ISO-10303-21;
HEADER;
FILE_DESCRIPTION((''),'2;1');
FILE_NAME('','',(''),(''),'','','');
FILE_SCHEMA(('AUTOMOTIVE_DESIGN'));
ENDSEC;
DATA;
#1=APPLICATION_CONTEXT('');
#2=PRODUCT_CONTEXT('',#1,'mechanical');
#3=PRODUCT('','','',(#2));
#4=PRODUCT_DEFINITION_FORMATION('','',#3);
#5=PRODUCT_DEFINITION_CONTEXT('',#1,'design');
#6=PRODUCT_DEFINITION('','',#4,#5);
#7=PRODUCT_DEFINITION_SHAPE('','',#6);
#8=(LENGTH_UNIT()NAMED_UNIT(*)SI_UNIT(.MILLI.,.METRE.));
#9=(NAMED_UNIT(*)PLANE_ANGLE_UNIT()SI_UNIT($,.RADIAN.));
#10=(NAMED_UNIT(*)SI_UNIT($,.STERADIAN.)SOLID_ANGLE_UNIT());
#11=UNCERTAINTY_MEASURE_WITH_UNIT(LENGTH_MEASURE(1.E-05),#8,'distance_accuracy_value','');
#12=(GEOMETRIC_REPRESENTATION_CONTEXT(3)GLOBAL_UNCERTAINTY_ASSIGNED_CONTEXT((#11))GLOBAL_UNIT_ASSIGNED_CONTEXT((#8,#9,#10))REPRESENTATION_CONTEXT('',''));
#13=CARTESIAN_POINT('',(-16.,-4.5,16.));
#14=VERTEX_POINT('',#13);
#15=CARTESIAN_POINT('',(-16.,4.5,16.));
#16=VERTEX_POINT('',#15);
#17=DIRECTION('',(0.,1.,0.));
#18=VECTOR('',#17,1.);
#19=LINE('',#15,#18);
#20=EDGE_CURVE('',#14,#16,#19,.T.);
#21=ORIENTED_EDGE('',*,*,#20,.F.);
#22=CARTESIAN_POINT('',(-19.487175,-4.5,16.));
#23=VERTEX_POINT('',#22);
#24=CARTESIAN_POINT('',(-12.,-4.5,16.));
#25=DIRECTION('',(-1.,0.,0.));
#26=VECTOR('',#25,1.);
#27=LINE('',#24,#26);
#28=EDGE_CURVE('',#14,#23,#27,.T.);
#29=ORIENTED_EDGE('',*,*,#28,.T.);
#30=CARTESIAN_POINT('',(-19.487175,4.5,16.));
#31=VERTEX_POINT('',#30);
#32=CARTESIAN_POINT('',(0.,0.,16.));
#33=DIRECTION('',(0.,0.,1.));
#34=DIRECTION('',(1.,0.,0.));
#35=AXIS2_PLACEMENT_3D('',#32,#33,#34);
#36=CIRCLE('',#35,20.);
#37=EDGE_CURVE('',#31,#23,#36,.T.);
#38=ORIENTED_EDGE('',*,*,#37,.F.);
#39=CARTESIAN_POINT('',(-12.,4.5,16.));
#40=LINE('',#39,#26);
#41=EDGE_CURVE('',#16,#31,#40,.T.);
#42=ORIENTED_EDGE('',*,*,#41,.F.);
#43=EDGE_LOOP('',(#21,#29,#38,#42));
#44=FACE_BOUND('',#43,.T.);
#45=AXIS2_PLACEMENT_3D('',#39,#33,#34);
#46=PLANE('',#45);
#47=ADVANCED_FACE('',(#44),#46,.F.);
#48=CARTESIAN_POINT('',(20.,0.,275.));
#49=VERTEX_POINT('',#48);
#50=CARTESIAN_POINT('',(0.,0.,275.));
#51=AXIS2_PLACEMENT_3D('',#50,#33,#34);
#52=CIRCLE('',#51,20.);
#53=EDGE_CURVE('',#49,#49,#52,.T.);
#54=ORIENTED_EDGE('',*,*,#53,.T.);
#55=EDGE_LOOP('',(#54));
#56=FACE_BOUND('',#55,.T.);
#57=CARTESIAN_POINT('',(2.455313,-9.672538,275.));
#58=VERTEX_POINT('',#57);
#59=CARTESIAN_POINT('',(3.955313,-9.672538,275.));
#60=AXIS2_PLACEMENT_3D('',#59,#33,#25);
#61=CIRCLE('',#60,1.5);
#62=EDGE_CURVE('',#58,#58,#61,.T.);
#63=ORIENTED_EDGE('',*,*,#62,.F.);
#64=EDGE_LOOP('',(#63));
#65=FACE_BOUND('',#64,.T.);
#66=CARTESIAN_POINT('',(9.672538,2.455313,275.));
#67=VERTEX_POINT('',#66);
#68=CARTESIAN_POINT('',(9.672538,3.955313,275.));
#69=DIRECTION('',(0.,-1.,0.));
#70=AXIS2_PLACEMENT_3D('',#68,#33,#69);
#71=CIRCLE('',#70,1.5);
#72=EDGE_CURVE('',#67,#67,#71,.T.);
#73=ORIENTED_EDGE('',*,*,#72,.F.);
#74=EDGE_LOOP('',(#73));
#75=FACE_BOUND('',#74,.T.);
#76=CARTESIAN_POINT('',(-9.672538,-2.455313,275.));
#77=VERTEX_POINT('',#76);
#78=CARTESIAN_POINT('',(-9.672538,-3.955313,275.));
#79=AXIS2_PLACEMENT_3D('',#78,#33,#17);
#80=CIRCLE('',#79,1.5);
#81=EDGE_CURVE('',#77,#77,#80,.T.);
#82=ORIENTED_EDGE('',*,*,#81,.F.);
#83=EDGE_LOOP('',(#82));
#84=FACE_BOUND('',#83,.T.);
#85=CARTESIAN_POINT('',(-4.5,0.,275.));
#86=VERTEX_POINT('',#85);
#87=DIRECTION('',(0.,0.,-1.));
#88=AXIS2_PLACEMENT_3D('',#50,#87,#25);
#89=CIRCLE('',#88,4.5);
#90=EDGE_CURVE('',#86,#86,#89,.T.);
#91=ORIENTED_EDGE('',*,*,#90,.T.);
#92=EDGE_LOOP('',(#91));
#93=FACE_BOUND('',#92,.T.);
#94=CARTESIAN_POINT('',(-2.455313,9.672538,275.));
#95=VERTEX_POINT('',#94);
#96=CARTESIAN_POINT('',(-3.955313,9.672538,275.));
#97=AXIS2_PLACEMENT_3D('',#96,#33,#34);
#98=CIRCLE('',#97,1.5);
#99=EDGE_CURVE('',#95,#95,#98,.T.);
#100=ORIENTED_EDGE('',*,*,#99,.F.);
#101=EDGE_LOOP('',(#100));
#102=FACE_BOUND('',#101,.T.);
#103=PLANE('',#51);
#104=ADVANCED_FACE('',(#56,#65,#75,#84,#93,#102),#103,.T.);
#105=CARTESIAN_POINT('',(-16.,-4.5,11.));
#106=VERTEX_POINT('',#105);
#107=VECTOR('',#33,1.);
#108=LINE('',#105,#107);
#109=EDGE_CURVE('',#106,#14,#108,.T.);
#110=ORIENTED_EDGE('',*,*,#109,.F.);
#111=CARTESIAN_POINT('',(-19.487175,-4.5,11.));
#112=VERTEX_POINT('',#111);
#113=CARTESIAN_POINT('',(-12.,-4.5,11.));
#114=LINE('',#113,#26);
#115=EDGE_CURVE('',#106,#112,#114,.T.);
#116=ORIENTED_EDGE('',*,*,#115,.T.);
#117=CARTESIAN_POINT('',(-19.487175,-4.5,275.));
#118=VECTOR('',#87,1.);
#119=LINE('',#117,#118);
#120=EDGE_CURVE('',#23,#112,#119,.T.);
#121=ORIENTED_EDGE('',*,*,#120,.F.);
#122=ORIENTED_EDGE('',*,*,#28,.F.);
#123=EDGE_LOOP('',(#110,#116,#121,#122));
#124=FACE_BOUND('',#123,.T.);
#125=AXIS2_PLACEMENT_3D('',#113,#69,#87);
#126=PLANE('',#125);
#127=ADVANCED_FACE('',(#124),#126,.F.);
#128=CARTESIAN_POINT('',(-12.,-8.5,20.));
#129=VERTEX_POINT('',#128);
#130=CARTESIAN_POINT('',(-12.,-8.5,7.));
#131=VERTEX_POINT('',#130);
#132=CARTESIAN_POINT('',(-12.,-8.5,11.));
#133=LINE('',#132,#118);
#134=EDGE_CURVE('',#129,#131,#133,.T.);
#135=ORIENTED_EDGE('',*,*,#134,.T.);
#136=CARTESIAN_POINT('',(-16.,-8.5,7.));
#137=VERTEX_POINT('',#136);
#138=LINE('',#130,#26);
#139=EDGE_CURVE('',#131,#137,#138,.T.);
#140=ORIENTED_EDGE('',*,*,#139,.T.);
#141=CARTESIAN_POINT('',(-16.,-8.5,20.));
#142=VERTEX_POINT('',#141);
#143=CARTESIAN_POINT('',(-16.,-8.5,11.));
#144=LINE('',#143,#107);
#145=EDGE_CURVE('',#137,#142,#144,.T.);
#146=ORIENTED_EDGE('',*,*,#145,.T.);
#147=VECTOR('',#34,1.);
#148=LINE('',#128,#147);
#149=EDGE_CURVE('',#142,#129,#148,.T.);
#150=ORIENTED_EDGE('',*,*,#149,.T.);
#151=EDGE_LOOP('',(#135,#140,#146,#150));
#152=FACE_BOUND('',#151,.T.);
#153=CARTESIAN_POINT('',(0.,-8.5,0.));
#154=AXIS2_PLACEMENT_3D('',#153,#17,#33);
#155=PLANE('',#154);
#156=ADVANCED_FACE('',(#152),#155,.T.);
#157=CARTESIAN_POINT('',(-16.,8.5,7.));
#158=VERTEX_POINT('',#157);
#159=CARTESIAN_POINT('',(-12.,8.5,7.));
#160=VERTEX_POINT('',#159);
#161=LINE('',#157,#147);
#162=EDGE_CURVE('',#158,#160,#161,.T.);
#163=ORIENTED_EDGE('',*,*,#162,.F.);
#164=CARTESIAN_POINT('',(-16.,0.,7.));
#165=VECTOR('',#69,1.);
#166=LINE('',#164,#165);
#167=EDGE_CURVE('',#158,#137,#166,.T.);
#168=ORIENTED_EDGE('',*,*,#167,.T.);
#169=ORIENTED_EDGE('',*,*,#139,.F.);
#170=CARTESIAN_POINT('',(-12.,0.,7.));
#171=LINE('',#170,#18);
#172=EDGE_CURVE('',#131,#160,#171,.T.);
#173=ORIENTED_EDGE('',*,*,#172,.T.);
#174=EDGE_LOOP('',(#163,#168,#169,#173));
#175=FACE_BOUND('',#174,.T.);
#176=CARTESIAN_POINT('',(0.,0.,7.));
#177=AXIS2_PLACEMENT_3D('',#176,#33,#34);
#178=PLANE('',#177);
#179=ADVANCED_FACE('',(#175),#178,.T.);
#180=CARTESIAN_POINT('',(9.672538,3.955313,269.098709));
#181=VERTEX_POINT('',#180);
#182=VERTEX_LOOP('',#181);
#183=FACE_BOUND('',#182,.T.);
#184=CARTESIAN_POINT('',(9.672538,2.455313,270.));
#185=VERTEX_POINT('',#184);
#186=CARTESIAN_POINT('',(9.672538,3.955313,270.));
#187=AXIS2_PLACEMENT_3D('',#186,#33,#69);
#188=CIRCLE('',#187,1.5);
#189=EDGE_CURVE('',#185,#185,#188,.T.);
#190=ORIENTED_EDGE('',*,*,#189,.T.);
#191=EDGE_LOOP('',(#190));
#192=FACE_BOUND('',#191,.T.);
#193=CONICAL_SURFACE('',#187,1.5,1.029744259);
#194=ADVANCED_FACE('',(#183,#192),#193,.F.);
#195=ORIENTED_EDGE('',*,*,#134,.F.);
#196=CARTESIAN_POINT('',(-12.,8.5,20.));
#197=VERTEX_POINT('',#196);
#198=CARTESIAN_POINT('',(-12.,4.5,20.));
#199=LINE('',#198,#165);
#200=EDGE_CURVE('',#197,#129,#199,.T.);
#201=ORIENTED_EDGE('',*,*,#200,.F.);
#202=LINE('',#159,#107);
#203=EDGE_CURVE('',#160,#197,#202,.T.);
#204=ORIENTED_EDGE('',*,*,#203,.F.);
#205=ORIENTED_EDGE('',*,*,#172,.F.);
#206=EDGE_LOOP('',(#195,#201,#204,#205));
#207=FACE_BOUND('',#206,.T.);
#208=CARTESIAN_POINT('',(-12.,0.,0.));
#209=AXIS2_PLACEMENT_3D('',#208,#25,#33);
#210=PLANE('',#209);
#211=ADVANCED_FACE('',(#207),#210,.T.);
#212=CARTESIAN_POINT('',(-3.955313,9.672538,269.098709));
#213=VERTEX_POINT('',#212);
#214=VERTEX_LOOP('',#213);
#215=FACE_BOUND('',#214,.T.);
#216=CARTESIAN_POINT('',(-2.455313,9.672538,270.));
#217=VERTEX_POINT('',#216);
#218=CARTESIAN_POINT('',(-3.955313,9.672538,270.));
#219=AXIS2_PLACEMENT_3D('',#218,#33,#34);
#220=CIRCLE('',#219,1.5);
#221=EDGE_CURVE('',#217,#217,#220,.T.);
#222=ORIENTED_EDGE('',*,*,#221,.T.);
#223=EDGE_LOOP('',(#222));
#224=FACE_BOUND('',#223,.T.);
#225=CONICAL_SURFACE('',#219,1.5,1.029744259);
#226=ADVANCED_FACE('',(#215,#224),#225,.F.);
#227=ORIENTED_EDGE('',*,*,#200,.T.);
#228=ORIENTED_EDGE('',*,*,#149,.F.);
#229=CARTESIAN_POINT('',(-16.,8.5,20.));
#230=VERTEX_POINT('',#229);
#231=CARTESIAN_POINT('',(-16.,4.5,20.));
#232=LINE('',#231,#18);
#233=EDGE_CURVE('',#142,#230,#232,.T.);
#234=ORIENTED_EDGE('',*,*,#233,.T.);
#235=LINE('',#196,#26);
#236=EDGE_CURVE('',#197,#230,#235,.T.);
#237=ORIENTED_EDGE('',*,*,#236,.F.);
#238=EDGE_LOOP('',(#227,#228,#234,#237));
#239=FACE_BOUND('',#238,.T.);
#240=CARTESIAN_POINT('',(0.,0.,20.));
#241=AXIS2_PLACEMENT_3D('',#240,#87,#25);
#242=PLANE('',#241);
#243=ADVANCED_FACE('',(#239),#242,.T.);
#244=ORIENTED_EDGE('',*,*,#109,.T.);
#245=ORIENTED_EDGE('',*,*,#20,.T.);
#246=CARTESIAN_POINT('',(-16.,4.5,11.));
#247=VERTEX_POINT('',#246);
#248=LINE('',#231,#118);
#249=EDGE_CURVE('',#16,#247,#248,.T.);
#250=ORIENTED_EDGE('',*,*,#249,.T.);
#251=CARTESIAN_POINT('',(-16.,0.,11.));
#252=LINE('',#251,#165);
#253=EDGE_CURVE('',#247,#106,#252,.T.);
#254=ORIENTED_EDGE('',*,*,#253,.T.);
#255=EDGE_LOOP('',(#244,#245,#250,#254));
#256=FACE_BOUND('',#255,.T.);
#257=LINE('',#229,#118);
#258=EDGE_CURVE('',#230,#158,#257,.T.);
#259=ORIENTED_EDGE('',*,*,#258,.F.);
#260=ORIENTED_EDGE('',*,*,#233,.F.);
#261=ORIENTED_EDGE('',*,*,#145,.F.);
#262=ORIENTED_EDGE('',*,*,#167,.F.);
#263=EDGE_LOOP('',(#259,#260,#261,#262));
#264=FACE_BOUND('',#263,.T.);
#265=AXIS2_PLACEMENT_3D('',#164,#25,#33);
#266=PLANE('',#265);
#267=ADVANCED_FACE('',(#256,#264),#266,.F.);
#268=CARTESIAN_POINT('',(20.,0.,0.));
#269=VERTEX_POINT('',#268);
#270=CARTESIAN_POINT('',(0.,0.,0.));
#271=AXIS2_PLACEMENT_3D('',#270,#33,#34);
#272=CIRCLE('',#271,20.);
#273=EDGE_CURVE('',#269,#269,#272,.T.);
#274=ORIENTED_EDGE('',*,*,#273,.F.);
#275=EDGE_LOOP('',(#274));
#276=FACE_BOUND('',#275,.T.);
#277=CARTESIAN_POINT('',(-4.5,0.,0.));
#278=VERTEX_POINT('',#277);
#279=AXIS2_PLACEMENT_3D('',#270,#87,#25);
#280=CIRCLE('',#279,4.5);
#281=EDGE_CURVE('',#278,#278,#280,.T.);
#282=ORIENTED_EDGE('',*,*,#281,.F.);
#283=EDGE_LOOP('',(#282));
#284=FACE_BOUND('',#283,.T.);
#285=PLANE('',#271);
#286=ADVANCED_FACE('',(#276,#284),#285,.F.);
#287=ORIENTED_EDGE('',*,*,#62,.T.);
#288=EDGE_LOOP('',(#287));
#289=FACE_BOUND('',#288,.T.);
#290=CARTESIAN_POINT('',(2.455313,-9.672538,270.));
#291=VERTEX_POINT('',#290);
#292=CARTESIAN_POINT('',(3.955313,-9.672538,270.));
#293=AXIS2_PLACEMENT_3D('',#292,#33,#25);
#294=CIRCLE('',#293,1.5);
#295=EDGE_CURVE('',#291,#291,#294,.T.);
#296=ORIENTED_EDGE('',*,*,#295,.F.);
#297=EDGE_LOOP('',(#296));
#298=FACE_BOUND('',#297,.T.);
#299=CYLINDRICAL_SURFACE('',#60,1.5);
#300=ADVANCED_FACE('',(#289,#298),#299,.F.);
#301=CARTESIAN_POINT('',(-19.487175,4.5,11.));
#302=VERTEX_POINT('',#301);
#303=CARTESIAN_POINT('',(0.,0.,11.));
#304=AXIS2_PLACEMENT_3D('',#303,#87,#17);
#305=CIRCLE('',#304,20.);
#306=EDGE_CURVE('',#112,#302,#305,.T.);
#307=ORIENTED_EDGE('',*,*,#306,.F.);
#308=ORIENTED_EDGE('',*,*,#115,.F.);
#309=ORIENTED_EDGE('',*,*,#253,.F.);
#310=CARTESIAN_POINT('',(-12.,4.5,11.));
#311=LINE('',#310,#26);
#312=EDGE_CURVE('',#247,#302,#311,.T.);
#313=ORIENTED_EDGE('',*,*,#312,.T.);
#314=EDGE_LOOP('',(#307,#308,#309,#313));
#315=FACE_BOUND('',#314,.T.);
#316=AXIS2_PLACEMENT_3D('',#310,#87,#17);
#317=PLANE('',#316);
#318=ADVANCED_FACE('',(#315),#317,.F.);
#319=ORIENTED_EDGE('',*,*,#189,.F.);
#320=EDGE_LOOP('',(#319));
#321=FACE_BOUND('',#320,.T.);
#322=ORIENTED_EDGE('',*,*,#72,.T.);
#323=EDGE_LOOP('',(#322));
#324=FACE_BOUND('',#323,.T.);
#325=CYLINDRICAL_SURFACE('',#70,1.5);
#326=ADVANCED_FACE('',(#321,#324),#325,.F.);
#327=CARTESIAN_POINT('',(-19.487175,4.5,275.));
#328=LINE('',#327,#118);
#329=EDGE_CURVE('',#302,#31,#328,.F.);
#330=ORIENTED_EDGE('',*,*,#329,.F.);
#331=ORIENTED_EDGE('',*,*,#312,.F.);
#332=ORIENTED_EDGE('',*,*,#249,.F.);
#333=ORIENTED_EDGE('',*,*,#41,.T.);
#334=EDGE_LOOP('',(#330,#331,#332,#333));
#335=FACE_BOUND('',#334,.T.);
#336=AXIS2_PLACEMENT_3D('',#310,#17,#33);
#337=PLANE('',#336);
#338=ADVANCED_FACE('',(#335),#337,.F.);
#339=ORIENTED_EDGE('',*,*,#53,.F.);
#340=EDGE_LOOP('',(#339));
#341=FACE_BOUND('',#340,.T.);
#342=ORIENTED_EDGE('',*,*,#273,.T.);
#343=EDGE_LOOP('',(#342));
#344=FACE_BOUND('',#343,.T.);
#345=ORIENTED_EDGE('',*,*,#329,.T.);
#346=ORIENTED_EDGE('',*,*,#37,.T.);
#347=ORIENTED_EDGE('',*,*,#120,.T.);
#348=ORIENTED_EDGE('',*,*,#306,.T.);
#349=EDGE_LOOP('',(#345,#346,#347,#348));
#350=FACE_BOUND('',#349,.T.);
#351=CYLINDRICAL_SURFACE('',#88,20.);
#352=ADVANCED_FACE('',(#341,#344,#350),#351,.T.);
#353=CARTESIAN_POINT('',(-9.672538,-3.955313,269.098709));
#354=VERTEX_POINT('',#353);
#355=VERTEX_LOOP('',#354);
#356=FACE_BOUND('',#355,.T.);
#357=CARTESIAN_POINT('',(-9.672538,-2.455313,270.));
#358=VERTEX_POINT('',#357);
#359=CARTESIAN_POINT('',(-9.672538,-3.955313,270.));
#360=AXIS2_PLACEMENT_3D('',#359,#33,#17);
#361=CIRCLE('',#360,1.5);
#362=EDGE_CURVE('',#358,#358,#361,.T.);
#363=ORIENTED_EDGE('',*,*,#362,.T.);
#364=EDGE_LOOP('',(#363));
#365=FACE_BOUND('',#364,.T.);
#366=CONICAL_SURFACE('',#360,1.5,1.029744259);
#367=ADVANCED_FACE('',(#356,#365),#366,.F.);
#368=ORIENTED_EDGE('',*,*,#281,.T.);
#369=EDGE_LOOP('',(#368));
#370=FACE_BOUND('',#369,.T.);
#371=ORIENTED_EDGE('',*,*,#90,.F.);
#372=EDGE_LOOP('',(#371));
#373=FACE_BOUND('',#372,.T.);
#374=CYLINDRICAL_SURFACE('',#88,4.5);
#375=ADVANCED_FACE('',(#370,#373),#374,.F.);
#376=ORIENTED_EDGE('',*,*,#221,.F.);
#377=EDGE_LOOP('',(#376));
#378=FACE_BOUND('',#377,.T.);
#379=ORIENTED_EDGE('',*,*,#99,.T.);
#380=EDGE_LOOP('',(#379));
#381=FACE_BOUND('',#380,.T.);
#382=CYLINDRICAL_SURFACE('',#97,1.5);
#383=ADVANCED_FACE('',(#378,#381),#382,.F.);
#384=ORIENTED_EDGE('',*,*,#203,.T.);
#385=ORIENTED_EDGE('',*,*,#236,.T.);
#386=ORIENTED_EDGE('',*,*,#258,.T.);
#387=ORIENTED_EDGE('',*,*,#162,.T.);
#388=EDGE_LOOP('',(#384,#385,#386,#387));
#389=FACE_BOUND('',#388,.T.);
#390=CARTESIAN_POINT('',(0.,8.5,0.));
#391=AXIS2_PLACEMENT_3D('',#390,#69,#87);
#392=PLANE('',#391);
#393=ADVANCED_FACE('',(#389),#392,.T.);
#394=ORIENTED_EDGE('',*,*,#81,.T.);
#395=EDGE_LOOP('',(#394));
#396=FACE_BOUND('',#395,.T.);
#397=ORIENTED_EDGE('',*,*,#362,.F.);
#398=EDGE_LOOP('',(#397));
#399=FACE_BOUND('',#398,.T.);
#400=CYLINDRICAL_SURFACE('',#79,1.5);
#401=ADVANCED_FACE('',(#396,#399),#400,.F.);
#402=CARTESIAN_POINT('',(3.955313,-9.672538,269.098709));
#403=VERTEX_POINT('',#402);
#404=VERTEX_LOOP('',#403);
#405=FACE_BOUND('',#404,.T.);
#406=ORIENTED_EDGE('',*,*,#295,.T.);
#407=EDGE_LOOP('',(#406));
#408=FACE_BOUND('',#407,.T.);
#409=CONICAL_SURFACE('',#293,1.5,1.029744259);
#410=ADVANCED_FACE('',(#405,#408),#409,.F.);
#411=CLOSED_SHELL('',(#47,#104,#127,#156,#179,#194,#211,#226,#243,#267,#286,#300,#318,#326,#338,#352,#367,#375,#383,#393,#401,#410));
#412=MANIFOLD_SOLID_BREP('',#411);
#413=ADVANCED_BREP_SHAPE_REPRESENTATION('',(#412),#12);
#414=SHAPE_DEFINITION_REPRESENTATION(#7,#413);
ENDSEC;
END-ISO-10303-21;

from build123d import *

# Parameters (mm, degrees)
SKETCH2_R           = 20
BOSS_EXTRUDE1_DEPTH = 275
SKETCH5_W           = 5
SKETCH5_H           = 9
CUT_EXTRUDE2_DEPTH  = 8
SKETCH8_W           = 4
SKETCH8_H           = 9
CUT_EXTRUDE3_DEPTH  = 4
CUT_EXTRUDE4_START  = 5
SKETCH8_4_W         = 4
SKETCH8_4_H         = 9
CUT_EXTRUDE4_DEPTH  = 4
SKETCH9_W           = 4
SKETCH9_H           = 13
CUT_EXTRUDE5_DEPTH  = 4
CUT_EXTRUDE6_START  = 9
CUT_EXTRUDE6_DEPTH  = 4
SKETCH10_R          = 4.5
CUT_EXTRUDE7_DEPTH  = 277.450718936
CIRPATTERN1_COUNT   = 4


with BuildPart() as part:
    # Sketch2 → Boss-Extrude1 (new body)
    with BuildSketch(Plane.XY):
        Circle(SKETCH2_R)
    extrude(amount=BOSS_EXTRUDE1_DEPTH)

    # Sketch5 → Cut-Extrude2 (cut)
    with BuildSketch(Plane.ZY.offset(20)):
        with Locations((13.5, 0)):
            Rectangle(SKETCH5_W, SKETCH5_H)
    extrude(amount=-CUT_EXTRUDE2_DEPTH, mode=Mode.SUBTRACT)

    # Sketch8 → Cut-Extrude3 (cut)
    with BuildSketch(Plane.XY.offset(11)):
        with Locations((-14, 0)):
            Rectangle(SKETCH8_W, SKETCH8_H)
    extrude(amount=-CUT_EXTRUDE3_DEPTH, mode=Mode.SUBTRACT)

    # Sketch8<4> → Cut-Extrude4 (cut)
    with BuildSketch(Plane.XY.offset(11).offset(CUT_EXTRUDE4_START)):
        with Locations((-14, 0)):
            Rectangle(SKETCH8_4_W, SKETCH8_4_H)
    extrude(amount=CUT_EXTRUDE4_DEPTH, mode=Mode.SUBTRACT)

    # Sketch9 → Cut-Extrude5 (cut)
    with BuildSketch(Plane.XZ.offset(-4.5)):
        with Locations((-14, 13.5)):
            Rectangle(SKETCH9_W, SKETCH9_H)
    extrude(amount=-CUT_EXTRUDE5_DEPTH, mode=Mode.SUBTRACT)

    # Sketch9<2> → Cut-Extrude6 (cut)
    with BuildSketch(Plane.XZ.offset(-4.5).offset(CUT_EXTRUDE6_START)):
        Polygon((-16, 16), (-16, 11), (-16, 7), (-12, 7), (-12, 20), (-16, 20), align=None)
    extrude(amount=CUT_EXTRUDE6_DEPTH, mode=Mode.SUBTRACT)

    # Sketch10 → Cut-Extrude7 (cut, through all)
    with BuildSketch(Plane(origin=(0, 0, 0), x_dir=(-1, 0, 0), z_dir=(0, 0, -1))):
        Circle(SKETCH10_R)
    extrude(amount=-CUT_EXTRUDE7_DEPTH, mode=Mode.SUBTRACT)

    # Sketch13 → Ø3.0 (3) Diameter Hole1 (revolve, cut)
    with BuildSketch(Plane(origin=(-3.955313085, 9.672538364, 275), x_dir=(0, -1, 0), z_dir=(1, 0, 0))):
        Polygon((0, 0), (0, 5.901290929), (1.5, 5), (1.5, 0), align=None)
    f_3_0_3_diameter_hole1 = revolve(axis=Axis((-3.955313085, 9.672538364, 281.35), (0, 0, -1)), mode=Mode.SUBTRACT)

    # CirPattern1: Ø3.0 (3) Diameter Hole1 ×4 about axis
    cirpattern1_axis = Axis((0, 0, 0), (0, 0, 1))
    for i in range(1, CIRPATTERN1_COUNT):
        add(f_3_0_3_diameter_hole1.rotate(cirpattern1_axis, i * 360 / CIRPATTERN1_COUNT), mode=Mode.SUBTRACT)


solid = part.part
